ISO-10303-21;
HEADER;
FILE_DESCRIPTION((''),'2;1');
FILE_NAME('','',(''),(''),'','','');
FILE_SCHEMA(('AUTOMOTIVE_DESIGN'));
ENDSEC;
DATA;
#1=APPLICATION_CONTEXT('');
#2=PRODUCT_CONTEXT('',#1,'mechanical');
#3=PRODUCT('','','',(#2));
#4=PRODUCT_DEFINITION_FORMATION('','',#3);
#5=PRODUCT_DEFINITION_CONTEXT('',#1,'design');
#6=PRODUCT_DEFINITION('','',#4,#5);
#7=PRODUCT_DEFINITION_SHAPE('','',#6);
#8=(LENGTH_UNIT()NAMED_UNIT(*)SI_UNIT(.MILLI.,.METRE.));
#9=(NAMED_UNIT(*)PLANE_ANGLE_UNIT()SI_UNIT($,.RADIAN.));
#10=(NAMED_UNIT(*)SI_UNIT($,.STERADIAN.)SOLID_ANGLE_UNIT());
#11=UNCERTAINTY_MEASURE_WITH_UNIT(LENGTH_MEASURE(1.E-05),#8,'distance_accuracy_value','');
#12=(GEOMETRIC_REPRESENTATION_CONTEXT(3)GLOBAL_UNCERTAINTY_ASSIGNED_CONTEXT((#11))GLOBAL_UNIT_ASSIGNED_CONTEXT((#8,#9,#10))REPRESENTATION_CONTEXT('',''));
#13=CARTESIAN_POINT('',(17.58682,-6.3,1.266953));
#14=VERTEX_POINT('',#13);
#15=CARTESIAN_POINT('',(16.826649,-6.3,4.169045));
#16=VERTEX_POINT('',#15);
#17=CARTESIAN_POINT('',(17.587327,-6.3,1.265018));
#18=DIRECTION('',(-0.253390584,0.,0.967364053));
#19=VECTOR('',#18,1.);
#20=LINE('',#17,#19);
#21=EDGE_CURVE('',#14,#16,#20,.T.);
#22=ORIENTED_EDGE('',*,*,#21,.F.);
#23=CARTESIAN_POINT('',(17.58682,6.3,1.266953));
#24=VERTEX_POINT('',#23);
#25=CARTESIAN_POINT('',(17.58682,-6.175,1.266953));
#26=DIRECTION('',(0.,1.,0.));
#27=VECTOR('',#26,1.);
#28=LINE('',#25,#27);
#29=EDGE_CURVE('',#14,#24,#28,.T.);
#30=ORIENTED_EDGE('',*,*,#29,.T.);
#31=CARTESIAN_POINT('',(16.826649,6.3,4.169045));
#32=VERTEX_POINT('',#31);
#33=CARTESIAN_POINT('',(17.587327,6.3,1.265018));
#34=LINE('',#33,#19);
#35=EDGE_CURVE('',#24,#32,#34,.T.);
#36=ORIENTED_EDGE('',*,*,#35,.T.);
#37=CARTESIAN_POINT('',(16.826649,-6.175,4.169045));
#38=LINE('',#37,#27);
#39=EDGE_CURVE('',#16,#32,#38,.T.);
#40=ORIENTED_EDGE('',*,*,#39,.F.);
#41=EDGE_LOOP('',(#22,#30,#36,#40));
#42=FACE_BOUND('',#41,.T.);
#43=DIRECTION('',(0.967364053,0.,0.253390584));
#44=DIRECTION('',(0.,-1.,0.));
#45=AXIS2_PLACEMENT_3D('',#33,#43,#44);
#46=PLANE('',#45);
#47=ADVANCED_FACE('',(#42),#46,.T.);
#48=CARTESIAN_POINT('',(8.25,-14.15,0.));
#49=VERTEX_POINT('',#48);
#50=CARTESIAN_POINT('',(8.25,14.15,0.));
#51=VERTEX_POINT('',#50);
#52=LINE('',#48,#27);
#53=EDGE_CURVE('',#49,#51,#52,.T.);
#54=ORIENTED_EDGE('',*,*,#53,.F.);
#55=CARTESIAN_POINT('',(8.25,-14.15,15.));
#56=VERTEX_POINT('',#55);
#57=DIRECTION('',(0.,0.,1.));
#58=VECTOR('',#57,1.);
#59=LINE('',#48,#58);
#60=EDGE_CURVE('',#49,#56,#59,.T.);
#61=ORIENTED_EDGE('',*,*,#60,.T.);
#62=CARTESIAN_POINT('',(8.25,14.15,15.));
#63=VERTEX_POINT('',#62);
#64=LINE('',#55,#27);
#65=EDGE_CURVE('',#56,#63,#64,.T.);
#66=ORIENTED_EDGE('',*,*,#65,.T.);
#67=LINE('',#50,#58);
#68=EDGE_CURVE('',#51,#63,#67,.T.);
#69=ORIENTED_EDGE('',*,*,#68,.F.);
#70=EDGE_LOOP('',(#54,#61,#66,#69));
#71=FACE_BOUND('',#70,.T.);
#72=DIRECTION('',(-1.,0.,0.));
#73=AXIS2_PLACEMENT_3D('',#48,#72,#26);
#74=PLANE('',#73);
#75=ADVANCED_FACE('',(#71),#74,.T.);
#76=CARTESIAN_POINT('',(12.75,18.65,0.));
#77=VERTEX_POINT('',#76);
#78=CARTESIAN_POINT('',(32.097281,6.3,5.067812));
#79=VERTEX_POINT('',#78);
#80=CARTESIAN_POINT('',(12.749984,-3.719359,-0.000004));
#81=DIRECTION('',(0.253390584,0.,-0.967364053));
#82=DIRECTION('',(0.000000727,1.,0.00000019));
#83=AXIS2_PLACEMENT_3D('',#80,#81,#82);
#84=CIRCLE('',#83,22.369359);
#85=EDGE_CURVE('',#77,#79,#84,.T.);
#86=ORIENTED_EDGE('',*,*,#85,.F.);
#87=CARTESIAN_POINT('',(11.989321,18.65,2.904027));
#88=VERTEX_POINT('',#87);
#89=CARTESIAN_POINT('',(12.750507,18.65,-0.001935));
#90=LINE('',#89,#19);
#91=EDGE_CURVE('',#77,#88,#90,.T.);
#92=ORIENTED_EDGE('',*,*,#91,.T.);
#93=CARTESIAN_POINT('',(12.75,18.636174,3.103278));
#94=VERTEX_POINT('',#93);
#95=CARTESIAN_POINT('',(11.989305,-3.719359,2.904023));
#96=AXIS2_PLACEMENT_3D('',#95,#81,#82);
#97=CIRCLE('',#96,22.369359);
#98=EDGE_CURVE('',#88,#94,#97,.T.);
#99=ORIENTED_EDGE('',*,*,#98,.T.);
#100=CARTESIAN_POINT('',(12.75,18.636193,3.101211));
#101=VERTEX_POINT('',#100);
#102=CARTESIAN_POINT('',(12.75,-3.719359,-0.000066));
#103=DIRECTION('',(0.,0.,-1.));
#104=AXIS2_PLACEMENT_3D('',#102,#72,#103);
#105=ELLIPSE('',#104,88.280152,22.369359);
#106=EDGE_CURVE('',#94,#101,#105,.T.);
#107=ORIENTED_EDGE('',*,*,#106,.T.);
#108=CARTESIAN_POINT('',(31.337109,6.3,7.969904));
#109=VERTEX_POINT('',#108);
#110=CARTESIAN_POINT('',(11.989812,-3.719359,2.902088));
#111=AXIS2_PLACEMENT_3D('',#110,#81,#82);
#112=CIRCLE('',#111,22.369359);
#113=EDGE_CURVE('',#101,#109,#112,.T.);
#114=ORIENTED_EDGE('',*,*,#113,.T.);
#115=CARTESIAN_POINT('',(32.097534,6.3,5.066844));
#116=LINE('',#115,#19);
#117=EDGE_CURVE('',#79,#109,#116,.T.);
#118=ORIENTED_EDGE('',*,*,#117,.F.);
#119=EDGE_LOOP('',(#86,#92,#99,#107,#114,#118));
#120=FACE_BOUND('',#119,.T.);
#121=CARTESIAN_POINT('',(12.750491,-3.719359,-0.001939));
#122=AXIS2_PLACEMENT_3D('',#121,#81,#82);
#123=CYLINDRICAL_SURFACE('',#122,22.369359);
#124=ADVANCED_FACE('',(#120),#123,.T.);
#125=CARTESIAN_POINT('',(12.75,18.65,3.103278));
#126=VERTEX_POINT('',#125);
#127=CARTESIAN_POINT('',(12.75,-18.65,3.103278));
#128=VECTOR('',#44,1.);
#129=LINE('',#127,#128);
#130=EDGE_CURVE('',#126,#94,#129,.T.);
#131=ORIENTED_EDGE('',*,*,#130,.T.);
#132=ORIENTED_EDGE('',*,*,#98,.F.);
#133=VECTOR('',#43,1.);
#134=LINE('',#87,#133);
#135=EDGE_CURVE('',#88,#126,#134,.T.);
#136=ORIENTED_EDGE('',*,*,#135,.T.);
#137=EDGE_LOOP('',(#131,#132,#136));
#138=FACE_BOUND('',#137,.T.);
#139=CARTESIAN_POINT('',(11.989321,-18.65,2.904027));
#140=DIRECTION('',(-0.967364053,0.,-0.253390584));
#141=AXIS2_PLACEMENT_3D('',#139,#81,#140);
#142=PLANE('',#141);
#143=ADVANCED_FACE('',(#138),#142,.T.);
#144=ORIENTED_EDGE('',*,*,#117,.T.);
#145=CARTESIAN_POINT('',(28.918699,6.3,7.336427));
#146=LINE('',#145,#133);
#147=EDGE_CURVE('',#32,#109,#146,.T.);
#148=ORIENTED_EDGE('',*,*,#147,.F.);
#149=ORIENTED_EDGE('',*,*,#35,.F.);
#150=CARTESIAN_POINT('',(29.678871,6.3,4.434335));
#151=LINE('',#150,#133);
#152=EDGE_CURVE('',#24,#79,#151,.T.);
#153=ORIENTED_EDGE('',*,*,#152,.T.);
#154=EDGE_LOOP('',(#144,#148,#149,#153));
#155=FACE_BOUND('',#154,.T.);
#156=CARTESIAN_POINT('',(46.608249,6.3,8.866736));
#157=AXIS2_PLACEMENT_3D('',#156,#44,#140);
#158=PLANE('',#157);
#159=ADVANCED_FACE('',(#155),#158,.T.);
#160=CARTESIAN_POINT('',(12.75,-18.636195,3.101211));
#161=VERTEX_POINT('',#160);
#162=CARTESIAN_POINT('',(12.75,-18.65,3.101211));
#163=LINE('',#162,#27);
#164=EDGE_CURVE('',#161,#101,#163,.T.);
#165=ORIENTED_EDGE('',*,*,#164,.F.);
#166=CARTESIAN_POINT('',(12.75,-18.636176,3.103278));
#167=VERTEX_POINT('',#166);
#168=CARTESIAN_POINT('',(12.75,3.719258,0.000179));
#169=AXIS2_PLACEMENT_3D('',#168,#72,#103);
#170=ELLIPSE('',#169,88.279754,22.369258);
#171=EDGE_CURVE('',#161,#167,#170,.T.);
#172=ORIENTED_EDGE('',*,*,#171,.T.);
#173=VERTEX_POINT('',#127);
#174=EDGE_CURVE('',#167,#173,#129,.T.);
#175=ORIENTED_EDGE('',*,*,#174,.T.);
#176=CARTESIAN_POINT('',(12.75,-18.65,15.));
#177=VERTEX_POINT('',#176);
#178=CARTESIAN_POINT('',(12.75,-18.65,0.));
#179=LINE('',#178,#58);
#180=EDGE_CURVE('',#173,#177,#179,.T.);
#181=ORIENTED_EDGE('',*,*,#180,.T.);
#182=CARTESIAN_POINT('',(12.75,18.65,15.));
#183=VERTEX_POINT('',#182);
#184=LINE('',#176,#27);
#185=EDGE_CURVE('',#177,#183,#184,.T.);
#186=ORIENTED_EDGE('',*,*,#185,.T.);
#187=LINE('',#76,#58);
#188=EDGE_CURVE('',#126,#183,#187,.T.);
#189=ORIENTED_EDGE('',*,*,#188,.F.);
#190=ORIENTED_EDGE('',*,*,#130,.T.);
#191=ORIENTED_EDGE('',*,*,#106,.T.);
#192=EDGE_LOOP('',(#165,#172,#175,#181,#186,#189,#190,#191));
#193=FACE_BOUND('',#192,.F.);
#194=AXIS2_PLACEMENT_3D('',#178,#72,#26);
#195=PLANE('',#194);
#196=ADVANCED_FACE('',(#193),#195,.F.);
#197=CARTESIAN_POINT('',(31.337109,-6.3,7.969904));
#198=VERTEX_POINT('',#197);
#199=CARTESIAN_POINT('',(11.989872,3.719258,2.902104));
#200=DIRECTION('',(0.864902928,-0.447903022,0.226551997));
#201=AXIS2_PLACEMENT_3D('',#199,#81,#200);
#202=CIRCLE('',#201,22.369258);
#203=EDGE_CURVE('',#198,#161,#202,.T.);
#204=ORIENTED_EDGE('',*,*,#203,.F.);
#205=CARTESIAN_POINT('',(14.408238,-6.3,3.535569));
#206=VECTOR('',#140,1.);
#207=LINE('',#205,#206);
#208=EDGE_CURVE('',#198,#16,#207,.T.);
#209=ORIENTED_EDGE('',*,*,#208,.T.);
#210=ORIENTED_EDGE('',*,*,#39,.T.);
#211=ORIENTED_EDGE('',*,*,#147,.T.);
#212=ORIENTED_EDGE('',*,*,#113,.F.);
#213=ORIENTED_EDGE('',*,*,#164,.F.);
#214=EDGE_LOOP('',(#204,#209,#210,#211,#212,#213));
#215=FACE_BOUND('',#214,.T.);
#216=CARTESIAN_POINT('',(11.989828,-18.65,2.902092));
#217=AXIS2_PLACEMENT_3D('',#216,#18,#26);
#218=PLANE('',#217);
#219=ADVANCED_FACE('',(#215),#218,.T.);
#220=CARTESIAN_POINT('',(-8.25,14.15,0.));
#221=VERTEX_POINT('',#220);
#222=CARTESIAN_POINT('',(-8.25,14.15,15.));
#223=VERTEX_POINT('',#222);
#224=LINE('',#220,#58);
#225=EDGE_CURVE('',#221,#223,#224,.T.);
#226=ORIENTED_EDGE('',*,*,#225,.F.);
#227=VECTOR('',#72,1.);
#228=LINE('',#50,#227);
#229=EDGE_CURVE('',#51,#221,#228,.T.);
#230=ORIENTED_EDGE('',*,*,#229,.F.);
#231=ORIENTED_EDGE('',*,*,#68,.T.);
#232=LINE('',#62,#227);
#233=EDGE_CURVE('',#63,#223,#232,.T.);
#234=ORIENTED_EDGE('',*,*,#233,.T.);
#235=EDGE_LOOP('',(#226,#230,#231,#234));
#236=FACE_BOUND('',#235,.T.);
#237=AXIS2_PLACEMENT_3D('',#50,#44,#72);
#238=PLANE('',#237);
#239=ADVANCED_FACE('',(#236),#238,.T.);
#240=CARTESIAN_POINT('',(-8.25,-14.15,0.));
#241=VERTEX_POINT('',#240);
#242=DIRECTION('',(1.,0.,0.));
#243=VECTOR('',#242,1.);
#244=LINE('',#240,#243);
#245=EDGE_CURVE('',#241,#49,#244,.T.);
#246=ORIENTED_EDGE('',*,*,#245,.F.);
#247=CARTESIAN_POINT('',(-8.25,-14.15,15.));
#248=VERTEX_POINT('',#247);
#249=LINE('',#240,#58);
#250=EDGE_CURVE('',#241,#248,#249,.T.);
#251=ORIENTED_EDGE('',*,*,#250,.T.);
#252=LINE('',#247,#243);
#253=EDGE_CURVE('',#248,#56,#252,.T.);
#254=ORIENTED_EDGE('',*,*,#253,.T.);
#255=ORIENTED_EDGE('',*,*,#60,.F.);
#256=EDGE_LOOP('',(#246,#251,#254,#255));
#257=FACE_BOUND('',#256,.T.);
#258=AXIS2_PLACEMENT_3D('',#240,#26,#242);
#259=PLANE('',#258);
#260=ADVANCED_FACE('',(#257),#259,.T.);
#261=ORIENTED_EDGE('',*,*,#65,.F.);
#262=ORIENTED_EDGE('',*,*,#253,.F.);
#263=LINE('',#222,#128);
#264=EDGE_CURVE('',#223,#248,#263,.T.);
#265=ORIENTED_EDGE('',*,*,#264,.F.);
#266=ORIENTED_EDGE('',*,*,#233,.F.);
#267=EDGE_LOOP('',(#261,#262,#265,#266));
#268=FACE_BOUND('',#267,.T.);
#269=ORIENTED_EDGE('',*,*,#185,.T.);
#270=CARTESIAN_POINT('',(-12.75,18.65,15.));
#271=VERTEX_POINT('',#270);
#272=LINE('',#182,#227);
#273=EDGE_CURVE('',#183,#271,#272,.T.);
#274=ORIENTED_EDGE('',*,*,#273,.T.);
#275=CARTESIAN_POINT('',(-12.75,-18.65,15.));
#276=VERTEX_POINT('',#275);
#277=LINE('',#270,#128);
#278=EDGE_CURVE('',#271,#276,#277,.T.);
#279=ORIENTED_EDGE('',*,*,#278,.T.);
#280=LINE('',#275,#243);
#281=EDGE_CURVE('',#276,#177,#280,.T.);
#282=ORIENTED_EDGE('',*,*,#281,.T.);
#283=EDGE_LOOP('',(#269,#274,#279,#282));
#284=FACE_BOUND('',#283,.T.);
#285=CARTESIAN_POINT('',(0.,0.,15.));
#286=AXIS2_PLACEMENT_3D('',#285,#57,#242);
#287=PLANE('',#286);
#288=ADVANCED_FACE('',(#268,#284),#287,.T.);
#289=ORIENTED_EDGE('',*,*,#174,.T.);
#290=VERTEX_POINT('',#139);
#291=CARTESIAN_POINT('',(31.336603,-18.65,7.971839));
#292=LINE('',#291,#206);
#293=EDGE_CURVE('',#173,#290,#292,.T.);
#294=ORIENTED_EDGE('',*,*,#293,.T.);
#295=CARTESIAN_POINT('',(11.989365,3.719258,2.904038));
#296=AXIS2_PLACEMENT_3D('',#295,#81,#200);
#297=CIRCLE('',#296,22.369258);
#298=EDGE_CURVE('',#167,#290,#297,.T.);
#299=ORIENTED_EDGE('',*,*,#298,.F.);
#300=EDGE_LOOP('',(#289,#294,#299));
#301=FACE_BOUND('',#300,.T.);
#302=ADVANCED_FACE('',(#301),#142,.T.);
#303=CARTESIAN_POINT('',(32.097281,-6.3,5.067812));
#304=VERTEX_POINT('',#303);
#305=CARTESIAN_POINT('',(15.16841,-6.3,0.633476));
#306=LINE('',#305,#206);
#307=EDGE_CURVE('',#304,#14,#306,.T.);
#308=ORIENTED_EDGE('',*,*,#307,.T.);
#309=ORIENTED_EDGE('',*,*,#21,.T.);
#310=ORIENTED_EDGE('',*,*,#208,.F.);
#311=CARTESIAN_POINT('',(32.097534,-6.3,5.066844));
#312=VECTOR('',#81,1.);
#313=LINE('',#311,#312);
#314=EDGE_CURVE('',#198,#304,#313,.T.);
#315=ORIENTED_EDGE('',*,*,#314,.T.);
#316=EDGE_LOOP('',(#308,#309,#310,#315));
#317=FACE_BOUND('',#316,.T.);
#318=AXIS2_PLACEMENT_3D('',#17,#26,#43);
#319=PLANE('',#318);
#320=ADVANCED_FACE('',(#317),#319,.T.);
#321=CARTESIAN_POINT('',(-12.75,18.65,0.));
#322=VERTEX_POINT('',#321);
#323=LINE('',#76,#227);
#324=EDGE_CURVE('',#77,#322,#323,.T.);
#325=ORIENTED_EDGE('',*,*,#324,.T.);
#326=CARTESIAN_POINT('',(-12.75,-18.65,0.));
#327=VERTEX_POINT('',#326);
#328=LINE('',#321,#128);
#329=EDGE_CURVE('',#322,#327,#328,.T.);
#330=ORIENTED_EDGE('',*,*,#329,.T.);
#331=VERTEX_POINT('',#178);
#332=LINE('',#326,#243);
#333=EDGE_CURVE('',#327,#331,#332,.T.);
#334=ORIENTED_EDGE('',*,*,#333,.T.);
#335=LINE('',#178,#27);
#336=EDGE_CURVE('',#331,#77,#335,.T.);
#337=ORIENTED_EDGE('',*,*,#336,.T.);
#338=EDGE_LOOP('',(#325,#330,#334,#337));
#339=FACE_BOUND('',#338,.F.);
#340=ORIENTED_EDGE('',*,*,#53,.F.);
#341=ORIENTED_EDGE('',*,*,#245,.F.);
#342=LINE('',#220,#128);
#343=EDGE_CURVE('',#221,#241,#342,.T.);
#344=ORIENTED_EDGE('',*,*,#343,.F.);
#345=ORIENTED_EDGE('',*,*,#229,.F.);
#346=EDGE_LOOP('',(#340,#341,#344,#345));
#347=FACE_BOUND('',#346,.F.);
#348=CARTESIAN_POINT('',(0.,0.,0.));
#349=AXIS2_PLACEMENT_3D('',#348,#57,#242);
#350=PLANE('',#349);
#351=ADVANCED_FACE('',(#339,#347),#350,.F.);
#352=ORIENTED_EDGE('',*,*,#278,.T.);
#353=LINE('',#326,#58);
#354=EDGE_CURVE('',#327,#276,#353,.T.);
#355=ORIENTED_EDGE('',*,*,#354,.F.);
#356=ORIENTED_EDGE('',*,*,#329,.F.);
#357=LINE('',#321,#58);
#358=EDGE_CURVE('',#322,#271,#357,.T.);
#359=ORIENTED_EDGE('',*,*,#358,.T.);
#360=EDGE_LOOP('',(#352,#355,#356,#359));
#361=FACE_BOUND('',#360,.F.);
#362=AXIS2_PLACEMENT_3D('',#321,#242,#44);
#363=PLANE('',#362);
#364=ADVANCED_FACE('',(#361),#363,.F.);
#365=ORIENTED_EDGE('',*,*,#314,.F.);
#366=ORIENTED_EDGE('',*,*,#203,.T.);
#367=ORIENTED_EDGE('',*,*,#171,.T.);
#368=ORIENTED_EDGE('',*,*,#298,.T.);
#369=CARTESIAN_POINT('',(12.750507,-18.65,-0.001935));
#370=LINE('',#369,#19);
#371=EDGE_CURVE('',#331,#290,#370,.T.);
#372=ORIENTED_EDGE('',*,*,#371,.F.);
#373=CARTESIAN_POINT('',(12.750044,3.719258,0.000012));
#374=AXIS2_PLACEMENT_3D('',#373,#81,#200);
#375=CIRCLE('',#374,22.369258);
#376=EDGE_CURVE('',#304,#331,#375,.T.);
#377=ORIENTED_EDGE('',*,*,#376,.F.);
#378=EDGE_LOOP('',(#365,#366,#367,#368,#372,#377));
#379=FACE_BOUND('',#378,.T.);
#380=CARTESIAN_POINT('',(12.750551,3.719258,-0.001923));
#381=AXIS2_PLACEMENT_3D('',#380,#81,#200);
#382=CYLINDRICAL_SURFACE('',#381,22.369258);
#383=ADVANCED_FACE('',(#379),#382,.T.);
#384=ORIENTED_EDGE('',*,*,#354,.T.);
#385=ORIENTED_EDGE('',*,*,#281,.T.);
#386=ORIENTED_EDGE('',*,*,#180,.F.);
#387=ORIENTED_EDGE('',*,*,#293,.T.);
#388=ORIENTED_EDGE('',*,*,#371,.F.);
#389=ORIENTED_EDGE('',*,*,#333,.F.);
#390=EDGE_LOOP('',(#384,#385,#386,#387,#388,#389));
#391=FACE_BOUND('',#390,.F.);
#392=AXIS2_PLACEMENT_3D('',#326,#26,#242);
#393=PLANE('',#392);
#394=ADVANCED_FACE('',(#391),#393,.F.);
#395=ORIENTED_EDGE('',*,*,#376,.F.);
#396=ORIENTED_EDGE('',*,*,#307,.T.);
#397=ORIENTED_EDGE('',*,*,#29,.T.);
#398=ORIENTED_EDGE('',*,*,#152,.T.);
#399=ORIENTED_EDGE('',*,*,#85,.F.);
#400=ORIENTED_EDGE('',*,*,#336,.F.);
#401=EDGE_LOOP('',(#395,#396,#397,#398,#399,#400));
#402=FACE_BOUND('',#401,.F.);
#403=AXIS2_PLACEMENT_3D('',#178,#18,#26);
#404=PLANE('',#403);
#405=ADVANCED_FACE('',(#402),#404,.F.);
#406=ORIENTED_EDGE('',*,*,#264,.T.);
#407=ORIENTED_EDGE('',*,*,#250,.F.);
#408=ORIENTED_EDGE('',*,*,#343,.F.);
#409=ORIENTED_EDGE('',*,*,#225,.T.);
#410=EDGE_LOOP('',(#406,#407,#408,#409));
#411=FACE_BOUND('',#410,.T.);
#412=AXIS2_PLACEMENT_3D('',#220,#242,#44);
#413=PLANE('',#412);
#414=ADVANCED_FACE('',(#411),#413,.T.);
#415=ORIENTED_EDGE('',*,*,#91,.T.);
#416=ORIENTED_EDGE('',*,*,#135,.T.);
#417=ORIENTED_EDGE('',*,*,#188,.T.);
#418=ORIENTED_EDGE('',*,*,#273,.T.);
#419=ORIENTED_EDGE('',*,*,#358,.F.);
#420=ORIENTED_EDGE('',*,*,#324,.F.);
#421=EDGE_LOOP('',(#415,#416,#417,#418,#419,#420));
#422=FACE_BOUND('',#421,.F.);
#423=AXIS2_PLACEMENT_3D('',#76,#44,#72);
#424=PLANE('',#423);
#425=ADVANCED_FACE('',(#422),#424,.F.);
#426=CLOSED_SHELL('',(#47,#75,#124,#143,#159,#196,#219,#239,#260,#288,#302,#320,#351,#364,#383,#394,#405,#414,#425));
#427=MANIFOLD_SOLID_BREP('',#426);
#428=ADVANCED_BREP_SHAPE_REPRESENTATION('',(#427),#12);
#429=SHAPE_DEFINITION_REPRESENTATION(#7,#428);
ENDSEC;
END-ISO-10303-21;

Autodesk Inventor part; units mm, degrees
ref_plane "YZ Plane" through (0, 0, 0) normal (1, 0, 0) x (0, 1, 0)
ref_plane "XZ Plane" through (0, 0, 0) normal (0, 1, 0) x (-1, 0, 0)
sketch "Sketch1" plane through (0, 0, 0) normal (0, 0, 1) x (1, 0, 0)
  line L0 (-8.25, -14.15) -> (8.25, -14.15)
  line L1 (8.25, -14.15) -> (8.25, 14.15)
  line L2 (8.25, 14.15) -> (-8.25, 14.15)
  line L3 (-8.25, 14.15) -> (-8.25, -14.15)
  line L4 (-8.25, -14.15) -> (8.25, 14.15) construction
  line L5 (8.25, -14.15) -> (-8.25, 14.15) construction
  line L6 (-12.75, -18.65) -> (12.75, -18.65)
  line L7 (12.75, -18.65) -> (12.75, 18.65)
  line L8 (12.75, 18.65) -> (-12.75, 18.65)
  line L9 (-12.75, 18.65) -> (-12.75, -18.65)
  point P0 (0, 0)
  dimension "d0" = 16.5
  dimension "d1" = 28.3
  dimension "d2" = 4.5
extrude "Extrusion1" add sketch "Sketch1" along normal blind 15
ref_plane "Work Plane1" through (12.75, -18.65, 0) normal (-0.2534, 0, 0.9674) x (0, 1, 0)
sketch "Sketch2" plane through (12.75, -18.65, 0) normal (-0.2534, 0, 0.9674) x (0, 1, 0)
  line L0 (37.3, 0) -> (37.3, 24.6676) construction
  line L1 (37.3, 0) -> (0, 0)
  line L2 (0, 0) -> (0, -20)
  line L3 (0, -20) -> (37.3, -20)
  line L4 (37.3, -20) -> (37.3, 0)
  point P0 (18.65, 12.3338)
  dimension "d6" = 20
extrude "Extrusion2" add sketch "Sketch2" along normal blind 3
sketch "Sketch5" plane through (12.75, -18.65, 0) normal (0.2534, 0, -0.9674) x (-0.9674, 0, -0.2534)
  line L0 (-35, 24.95) -> (-5, 24.95)
  line L1 (-5, 24.95) -> (-5, 12.35)
  line L2 (-5, 12.35) -> (-35, 12.35)
  line L3 (-35, 12.35) -> (-35, 24.95)
  line L4 (-20, 0) -> (-20, 37.3) construction
  line L5 (-35, 24.95) -> (-5, 12.35) construction
  line L6 (-5, 24.95) -> (-35, 12.35) construction
  point P0 (12.3338, 18.65)
  point P1 (-20, 18.65)
  dimension "d15" = 30
  dimension "d16" = 12.6
extrude "Extrusion5" cut sketch "Sketch5" against normal blind 3
sketch "Sketch6" plane through (12.75, -18.65, 0) normal (0.2534, 0, -0.9674) x (-0.9674, 0, -0.2534)
  line L0 (0, 0) -> (-20, 0) construction
  line L1 (-20, 37.3) -> (0, 37.3) construction
  line L2 (-5, 24.95) -> (-20, 24.95) construction
  line L3 (-20, 12.35) -> (-5, 12.35) construction
  arc A0 (-20, 12.35) -> (0, 0) centre (0, 22.3693) ccw
  line L4 (-20, 0) -> (0, 0)
  line L5 (-20, 37.3) -> (-20, 24.95)
  line L6 (-20, 12.35) -> (-20, 0)
  arc A1 (0, 37.3) -> (-20, 24.95) centre (0, 14.9307) ccw
  line L7 (-20, 37.3) -> (-0.7859, 37.3) construction
  line L8 (0, 37.3) -> (-20, 37.3)
  point P0 (12.3338, 18.65)
  point P1 (0, 0)
extrude "Extrusion6" cut sketch "Sketch6" against normal blind 3
properties part number "Servo front rightleft holder"
